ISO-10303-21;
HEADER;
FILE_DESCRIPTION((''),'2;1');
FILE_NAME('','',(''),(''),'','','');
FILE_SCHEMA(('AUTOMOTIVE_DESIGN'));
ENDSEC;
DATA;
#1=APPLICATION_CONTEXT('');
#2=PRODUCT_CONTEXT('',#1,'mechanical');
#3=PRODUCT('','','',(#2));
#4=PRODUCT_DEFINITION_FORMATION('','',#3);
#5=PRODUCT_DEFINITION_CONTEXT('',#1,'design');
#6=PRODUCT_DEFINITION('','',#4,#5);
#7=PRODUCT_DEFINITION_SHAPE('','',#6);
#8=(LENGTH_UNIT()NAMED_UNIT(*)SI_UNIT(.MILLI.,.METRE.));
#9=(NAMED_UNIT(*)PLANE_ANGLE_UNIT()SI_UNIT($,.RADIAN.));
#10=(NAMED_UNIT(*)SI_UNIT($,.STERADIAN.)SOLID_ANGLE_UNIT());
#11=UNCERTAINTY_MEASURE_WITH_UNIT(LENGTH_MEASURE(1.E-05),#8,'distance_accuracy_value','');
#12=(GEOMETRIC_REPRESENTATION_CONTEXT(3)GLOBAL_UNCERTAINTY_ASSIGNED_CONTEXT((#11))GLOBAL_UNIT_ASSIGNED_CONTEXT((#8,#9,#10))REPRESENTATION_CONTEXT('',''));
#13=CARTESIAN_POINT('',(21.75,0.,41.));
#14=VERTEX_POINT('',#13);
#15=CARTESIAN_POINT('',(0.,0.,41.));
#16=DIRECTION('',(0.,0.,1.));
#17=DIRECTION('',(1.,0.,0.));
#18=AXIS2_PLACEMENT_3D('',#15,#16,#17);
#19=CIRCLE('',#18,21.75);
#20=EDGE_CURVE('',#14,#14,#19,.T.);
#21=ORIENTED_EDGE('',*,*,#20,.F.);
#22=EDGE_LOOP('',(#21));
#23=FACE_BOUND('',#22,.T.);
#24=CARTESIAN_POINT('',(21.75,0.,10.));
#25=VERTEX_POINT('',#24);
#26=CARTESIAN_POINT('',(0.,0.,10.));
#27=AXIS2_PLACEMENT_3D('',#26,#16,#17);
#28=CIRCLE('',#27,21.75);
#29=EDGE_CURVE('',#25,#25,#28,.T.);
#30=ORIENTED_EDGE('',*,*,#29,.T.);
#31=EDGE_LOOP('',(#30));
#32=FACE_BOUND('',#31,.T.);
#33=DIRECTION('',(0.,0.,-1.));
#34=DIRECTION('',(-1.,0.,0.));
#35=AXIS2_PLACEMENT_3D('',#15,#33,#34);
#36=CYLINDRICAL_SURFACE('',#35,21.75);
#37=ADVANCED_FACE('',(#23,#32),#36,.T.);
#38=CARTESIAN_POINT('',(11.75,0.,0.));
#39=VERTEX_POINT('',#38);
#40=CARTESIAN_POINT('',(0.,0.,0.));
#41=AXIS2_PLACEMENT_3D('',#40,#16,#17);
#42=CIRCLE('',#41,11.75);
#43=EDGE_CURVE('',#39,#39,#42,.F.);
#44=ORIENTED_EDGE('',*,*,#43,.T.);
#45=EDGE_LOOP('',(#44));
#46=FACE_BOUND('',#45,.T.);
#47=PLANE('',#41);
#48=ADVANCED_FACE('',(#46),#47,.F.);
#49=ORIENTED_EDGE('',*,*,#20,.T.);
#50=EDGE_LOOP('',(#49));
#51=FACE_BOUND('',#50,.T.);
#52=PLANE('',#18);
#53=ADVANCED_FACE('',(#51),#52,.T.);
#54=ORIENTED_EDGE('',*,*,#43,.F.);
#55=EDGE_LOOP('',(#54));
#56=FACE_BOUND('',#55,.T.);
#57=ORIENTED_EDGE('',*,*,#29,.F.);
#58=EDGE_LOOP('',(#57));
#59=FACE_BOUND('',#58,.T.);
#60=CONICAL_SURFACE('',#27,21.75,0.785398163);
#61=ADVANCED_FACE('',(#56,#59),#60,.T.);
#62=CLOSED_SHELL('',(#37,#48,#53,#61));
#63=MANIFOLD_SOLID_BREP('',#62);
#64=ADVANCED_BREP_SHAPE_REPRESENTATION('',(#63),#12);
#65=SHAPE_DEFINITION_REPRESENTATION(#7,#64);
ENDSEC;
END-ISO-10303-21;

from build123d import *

# Parameters (mm, degrees)
SKETCH1_R           = 21.75
BOSS_EXTRUDE1_DEPTH = 41
CHAMFER1_SIZE       = 10


with BuildPart() as part:
    # Sketch1 → Boss-Extrude1 (new body)
    with BuildSketch(Plane.XY):
        Circle(SKETCH1_R)
    extrude(amount=BOSS_EXTRUDE1_DEPTH)

    # Chamfer1
    chamfer1_edges = [part.edges().sort_by_distance(p)[0] for p in [
        (-21.75, 0, 0),
    ]]
    chamfer(chamfer1_edges, length=CHAMFER1_SIZE)


solid = part.part
